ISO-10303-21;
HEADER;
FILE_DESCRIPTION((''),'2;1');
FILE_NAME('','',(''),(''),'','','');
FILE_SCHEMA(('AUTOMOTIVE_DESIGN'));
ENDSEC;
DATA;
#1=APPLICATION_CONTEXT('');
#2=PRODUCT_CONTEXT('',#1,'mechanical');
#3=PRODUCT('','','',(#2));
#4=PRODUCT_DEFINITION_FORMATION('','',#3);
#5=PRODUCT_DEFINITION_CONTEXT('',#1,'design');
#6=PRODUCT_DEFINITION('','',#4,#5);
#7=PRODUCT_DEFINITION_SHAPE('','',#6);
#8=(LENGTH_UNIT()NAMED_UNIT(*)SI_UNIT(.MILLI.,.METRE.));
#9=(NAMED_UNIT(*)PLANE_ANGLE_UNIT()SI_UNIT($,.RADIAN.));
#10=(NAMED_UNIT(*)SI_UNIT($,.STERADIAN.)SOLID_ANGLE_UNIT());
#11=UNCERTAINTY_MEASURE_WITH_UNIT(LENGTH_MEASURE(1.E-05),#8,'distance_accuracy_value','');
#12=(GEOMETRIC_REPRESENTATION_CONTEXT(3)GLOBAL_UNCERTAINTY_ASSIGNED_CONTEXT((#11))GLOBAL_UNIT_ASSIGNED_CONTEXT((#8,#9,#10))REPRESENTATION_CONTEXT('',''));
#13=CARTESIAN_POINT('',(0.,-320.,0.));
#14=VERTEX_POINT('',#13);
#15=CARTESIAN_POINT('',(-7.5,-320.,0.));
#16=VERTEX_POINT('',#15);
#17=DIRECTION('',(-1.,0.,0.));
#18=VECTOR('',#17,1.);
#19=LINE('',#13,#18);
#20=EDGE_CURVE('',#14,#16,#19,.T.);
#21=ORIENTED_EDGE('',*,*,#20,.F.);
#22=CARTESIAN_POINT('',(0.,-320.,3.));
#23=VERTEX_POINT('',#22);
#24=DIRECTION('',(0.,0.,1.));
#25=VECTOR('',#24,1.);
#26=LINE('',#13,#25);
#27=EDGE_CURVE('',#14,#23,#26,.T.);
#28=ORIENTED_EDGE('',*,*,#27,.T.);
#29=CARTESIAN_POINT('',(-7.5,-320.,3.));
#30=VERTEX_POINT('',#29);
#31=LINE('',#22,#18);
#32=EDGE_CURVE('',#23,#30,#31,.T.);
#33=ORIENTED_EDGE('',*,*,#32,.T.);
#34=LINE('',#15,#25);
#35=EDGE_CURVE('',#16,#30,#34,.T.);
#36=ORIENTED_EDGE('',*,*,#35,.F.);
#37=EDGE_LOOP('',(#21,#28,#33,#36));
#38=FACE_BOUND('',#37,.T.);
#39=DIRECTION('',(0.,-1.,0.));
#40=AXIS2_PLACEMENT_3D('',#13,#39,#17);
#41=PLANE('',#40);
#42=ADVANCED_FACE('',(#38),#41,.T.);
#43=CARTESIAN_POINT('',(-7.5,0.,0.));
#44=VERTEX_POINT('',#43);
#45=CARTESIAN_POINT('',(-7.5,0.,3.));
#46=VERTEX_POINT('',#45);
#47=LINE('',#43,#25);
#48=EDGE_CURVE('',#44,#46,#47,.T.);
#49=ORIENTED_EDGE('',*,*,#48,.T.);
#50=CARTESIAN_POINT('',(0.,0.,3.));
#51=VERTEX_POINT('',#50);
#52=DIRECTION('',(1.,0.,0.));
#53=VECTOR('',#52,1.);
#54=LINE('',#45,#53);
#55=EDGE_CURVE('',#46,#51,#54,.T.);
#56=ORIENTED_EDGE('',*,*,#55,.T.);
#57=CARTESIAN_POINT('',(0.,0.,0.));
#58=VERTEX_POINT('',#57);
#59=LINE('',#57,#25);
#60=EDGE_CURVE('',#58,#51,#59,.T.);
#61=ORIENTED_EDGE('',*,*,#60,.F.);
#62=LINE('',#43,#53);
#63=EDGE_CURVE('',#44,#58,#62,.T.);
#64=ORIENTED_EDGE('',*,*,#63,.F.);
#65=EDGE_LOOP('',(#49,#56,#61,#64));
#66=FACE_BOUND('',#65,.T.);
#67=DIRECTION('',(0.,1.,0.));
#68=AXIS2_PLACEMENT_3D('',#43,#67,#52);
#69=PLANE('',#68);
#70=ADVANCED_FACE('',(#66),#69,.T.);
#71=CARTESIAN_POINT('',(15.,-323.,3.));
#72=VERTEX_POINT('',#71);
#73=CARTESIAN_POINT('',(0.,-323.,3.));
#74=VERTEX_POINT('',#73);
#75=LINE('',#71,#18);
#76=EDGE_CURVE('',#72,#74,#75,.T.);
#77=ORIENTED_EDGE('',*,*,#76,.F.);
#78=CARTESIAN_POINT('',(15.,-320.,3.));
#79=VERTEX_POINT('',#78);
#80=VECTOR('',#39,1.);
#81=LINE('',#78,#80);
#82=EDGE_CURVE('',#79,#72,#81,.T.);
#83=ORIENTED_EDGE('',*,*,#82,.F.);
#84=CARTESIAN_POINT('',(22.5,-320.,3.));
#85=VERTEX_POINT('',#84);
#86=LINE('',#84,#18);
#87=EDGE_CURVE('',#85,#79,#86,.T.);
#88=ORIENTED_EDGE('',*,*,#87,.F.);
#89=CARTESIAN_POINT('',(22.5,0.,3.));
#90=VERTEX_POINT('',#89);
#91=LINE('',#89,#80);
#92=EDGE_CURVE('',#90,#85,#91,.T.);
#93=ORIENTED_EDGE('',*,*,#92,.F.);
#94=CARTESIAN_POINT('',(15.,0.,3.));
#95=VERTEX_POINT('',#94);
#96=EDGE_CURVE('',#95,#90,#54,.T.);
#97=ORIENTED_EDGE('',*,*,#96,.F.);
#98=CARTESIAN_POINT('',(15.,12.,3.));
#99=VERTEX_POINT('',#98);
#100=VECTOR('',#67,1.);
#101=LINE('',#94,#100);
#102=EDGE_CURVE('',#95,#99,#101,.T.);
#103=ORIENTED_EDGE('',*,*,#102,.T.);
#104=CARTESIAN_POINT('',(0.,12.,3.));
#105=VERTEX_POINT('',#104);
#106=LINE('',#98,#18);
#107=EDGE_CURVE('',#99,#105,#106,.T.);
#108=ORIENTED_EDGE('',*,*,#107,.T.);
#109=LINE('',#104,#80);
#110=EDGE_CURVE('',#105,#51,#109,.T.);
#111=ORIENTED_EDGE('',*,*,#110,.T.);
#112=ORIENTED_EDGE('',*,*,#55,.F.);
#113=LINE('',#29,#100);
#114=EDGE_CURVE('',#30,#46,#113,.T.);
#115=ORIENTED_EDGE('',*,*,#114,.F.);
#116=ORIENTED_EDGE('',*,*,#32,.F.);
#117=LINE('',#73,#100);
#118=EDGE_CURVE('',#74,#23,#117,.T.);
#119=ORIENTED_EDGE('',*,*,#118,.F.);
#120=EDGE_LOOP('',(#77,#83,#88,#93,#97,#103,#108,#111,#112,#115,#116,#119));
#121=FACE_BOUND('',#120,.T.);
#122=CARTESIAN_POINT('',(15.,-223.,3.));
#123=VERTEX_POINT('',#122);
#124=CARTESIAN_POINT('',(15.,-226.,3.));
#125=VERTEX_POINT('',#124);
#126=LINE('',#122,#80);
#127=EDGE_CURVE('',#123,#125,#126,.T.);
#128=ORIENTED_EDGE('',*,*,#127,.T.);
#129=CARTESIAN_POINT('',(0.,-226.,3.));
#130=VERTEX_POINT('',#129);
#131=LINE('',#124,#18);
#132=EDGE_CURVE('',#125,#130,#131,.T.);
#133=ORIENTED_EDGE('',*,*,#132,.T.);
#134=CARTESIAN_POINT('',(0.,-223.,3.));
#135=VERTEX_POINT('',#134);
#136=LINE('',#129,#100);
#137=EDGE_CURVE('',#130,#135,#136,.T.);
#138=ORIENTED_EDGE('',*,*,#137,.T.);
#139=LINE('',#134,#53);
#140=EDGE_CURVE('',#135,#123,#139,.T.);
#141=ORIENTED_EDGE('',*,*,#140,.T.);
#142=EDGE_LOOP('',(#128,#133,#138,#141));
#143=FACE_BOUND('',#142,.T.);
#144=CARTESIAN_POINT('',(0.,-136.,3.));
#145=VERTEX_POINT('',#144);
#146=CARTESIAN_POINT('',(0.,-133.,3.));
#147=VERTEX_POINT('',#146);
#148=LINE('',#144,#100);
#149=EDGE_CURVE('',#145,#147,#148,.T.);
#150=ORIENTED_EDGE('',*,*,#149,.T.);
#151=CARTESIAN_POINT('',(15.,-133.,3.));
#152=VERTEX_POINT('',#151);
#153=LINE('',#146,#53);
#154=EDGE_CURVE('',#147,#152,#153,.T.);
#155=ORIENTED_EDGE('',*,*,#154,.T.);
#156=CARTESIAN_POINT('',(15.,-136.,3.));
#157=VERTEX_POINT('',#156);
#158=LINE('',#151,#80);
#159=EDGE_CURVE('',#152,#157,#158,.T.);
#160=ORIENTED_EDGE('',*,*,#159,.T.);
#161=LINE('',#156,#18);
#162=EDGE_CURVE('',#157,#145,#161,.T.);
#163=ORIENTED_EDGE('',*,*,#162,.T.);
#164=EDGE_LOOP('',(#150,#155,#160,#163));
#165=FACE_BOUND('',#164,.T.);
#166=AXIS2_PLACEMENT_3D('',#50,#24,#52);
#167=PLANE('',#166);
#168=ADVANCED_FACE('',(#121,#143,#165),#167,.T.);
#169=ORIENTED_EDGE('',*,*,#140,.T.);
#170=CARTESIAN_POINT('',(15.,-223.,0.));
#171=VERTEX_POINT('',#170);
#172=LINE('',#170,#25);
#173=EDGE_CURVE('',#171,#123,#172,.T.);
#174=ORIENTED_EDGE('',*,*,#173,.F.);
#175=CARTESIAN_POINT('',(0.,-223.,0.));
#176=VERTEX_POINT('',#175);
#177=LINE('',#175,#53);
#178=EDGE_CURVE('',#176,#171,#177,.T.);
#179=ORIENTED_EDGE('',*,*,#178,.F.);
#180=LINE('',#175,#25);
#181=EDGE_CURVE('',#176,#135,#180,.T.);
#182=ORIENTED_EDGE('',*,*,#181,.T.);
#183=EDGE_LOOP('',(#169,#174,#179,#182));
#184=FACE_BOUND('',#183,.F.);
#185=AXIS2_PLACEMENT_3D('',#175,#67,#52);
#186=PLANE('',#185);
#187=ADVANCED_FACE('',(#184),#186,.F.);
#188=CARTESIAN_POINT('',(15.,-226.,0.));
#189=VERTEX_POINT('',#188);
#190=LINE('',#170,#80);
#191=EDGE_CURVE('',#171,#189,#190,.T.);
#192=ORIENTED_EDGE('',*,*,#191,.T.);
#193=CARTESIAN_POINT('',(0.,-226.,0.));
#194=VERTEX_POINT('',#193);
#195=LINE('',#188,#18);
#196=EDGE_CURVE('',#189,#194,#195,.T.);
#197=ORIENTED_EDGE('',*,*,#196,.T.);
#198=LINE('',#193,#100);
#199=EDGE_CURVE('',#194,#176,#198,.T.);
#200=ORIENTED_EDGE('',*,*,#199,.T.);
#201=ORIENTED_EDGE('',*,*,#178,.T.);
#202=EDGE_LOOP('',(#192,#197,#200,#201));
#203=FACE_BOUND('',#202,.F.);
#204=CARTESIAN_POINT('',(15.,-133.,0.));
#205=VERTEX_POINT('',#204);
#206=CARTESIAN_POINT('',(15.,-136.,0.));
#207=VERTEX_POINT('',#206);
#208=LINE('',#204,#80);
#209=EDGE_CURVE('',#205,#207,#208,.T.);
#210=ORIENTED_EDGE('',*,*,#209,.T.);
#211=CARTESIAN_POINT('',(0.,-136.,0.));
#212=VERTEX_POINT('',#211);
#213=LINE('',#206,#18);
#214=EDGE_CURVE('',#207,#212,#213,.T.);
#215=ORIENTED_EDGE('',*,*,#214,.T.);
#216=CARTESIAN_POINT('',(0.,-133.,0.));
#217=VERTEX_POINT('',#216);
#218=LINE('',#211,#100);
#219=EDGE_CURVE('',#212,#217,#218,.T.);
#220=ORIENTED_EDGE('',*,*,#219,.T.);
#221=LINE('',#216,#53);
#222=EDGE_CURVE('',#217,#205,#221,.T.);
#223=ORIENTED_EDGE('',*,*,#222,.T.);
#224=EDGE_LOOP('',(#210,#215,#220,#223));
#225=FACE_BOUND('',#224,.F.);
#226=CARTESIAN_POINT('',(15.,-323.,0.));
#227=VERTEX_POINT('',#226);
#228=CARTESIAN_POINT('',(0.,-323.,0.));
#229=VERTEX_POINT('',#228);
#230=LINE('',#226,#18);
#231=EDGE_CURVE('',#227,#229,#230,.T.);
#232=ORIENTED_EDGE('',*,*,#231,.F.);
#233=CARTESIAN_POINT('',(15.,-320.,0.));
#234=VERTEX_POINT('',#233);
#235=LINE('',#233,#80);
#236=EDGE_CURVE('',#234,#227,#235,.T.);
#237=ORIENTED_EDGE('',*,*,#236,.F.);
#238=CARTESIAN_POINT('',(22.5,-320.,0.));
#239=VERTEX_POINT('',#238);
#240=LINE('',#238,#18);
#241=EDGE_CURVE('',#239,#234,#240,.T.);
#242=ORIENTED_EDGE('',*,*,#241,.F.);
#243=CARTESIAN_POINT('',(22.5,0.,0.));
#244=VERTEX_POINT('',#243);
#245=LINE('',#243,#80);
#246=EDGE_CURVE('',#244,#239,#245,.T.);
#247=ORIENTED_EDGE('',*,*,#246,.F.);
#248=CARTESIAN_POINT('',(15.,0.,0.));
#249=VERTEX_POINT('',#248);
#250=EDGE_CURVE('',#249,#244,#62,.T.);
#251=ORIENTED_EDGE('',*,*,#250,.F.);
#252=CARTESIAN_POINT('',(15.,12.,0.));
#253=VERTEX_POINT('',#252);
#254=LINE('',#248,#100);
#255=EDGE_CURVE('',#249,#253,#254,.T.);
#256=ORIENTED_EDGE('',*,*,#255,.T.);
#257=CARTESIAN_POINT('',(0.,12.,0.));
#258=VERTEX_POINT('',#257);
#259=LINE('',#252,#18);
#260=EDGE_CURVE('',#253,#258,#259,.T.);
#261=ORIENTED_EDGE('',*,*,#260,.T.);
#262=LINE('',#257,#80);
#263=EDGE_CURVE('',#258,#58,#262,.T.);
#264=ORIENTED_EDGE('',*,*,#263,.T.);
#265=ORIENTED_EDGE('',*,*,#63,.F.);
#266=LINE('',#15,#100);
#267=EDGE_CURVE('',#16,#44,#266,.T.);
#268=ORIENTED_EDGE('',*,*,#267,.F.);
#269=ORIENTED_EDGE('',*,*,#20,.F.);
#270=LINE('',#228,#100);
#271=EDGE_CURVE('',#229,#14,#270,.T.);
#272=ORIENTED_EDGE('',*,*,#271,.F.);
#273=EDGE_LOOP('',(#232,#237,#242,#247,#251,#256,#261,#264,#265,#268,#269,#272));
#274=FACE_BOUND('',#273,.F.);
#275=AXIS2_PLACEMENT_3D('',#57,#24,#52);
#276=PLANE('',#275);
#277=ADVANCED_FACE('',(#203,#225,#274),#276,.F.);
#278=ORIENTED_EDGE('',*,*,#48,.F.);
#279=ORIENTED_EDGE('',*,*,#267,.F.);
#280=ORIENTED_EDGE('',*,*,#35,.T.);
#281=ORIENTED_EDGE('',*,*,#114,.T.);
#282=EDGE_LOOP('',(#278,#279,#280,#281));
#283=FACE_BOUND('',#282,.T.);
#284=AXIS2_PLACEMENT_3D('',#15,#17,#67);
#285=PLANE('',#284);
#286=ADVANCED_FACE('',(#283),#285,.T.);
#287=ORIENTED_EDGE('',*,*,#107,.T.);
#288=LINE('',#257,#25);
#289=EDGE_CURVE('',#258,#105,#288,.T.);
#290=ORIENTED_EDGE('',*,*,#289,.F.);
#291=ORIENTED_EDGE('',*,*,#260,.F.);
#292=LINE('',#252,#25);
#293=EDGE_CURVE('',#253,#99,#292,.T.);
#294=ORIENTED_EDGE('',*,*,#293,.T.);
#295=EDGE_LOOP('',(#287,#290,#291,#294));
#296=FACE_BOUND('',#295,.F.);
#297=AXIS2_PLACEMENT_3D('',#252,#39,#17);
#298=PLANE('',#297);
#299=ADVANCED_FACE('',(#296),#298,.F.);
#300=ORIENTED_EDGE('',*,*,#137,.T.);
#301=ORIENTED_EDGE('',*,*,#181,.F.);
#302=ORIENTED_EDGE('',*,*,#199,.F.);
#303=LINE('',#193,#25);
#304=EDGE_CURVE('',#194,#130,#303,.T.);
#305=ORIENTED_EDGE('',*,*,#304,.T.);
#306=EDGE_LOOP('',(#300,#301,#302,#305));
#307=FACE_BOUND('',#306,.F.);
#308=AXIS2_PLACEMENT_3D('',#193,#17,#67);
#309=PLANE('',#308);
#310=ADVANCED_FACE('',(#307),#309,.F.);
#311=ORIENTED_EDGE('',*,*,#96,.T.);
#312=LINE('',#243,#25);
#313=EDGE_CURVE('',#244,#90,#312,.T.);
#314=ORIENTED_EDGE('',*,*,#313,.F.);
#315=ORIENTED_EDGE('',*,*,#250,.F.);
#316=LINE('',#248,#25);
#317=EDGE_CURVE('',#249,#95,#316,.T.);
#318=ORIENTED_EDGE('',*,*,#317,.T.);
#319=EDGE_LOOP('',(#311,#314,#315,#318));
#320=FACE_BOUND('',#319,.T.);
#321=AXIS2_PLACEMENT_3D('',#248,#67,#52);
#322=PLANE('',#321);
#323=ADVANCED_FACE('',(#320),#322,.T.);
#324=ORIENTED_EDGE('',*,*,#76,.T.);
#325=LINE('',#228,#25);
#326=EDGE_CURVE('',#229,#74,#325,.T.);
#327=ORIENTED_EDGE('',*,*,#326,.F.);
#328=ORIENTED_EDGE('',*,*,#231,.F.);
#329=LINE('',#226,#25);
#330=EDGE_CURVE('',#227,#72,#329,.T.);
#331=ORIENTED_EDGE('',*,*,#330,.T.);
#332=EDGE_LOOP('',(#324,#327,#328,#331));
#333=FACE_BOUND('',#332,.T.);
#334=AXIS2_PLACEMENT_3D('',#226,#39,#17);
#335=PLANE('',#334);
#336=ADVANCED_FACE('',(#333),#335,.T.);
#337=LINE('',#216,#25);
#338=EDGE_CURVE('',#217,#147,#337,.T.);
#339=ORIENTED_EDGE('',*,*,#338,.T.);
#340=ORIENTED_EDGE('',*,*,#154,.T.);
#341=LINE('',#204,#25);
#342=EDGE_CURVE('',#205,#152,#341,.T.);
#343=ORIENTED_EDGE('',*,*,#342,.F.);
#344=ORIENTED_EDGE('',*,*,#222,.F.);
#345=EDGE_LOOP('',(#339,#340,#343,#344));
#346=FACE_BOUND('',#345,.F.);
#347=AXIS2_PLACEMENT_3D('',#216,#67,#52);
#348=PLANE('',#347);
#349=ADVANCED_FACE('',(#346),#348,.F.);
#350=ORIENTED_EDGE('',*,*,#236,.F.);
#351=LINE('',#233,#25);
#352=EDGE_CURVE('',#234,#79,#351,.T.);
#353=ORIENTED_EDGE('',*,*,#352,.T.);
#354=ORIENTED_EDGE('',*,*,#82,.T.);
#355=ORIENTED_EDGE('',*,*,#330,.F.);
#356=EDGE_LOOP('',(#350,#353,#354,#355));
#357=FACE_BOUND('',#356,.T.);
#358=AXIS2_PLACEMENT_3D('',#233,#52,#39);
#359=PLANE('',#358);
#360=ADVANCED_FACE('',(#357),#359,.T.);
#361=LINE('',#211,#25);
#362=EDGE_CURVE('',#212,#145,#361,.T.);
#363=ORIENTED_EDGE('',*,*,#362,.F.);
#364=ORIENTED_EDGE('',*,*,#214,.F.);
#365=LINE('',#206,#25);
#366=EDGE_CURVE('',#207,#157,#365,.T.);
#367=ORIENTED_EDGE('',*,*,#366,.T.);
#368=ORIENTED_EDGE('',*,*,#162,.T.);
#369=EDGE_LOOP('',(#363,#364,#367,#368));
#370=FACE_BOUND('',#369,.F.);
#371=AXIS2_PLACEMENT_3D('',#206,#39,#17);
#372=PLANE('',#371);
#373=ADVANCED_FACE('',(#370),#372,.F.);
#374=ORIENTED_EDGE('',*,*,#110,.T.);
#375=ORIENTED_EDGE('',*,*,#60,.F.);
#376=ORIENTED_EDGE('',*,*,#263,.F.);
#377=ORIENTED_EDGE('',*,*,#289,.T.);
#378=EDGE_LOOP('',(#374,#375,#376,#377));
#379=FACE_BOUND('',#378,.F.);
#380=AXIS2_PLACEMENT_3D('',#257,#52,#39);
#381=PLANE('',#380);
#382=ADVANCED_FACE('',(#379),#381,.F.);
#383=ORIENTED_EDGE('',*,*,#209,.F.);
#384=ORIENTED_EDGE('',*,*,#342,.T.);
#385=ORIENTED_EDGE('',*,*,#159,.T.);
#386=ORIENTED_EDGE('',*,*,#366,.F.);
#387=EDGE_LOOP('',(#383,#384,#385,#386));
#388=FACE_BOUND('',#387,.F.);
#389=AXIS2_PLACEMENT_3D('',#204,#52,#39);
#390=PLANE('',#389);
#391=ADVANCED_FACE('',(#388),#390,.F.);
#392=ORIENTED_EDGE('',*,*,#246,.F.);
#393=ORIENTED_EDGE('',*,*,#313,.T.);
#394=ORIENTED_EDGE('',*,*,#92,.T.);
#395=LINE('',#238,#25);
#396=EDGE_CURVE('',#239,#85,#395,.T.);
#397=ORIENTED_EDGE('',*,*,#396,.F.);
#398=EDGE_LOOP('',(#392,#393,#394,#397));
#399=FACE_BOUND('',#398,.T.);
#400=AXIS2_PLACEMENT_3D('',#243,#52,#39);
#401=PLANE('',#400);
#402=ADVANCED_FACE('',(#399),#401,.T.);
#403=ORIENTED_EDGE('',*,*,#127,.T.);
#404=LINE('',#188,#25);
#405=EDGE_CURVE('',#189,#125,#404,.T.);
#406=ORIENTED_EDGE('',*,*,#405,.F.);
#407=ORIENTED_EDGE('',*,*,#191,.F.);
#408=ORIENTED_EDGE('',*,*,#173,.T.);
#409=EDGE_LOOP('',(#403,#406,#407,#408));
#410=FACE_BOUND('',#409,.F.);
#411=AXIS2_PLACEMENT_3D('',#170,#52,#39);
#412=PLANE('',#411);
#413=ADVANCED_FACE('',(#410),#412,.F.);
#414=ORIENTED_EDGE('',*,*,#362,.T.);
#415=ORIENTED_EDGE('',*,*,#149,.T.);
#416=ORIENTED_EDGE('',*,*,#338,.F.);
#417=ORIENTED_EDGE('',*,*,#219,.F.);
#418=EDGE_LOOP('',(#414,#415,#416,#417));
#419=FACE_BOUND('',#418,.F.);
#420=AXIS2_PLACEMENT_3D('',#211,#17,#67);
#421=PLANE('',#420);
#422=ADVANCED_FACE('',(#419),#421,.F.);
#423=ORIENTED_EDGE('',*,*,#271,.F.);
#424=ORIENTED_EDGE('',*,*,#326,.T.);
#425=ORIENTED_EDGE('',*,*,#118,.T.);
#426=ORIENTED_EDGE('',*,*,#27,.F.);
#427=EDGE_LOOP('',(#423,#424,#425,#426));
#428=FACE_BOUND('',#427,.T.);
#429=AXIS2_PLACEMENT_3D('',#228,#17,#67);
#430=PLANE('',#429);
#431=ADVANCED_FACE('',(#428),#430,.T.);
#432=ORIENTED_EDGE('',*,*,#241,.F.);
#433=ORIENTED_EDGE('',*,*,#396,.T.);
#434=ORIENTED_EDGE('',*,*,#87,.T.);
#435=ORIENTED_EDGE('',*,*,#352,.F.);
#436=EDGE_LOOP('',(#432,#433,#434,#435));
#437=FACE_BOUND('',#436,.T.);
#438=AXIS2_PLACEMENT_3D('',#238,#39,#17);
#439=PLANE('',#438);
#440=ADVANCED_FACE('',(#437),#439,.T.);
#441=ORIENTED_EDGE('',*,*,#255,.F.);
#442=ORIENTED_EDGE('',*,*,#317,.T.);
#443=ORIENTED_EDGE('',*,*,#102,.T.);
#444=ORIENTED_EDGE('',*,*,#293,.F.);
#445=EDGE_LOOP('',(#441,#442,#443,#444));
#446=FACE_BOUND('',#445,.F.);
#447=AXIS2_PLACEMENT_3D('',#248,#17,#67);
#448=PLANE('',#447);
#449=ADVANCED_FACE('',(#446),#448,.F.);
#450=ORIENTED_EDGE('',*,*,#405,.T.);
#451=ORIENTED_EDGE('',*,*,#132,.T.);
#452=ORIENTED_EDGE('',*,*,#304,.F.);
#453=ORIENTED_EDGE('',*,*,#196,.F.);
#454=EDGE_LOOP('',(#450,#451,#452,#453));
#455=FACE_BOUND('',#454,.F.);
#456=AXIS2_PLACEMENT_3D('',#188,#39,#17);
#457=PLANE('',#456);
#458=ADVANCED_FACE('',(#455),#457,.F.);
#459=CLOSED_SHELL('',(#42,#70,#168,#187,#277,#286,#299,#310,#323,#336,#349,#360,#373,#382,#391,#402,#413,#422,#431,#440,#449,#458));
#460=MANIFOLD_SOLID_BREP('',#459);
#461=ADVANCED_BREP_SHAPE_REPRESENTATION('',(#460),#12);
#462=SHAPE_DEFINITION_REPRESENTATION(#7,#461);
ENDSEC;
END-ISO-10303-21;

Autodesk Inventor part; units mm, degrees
ref_plane "YZ Plane" through (0, 0, 0) normal (1, 0, 0) x (0, 1, 0)
ref_plane "XZ Plane" through (0, 0, 0) normal (0, 1, 0) x (-1, 0, 0)
ref_plane "XY Plane" through (0, 0, 0) normal (0, 0, 1) x (1, 0, 0)
sketch "Sketch1" plane through (0, 0, 0) normal (0, 0, 1) x (1, 0, 0)
  line L0 (0, 0) -> (15, 0)
  line L1 (15, 0) -> (15, 12)
  line L2 (15, 12) -> (0, 12)
  line L3 (0, 12) -> (0, 0)
  line L4 (-7.5, 0) -> (22.5, 0)
  line L5 (22.5, 0) -> (22.5, -320)
  line L6 (-7.5, -320) -> (-7.5, 0)
  line L7 (0, -133) -> (15, -133)
  line L8 (15, -133) -> (15, -136)
  line L9 (15, -136) -> (0, -136)
  line L10 (0, -136) -> (0, -133)
  line L11 (15, -320) -> (15, -323)
  line L12 (15, -323) -> (0, -323)
  line L13 (0, -323) -> (0, -320)
  line L14 (22.5, -320) -> (15, -320)
  line L15 (0, -320) -> (-7.5, -320)
  line L16 (0, -223) -> (15, -223)
  line L17 (15, -223) -> (15, -226)
  line L18 (15, -226) -> (0, -226)
  line L19 (0, -226) -> (0, -223)
  point P0 (7.5, 12)
  point P1 (7.5, -320)
  point P2 (7.5, -133)
  point P3 (7.5, 0)
  point P4 (7.5, -323)
  point P5 (7.5, -223)
  dimension "d0" = 15
  dimension "d1" = 12
  dimension "d3" = 30
  dimension "d6" = 3
  dimension "d8" = 15
  dimension "d9" = 15
  dimension "d11" = 7.5
  dimension "d13" = 22.5
  dimension "d15" = 145
  dimension "d16" = 3
  dimension "d17" = 320
  dimension "d18" = 7.5
  dimension "d21" = 22.5
  dimension "d23" = 15
  dimension "d24" = 3
  dimension "d26" = 90
extrude "Extrusion1" add sketch "Sketch1" along normal blind 3
properties part number "back_down_hold"
